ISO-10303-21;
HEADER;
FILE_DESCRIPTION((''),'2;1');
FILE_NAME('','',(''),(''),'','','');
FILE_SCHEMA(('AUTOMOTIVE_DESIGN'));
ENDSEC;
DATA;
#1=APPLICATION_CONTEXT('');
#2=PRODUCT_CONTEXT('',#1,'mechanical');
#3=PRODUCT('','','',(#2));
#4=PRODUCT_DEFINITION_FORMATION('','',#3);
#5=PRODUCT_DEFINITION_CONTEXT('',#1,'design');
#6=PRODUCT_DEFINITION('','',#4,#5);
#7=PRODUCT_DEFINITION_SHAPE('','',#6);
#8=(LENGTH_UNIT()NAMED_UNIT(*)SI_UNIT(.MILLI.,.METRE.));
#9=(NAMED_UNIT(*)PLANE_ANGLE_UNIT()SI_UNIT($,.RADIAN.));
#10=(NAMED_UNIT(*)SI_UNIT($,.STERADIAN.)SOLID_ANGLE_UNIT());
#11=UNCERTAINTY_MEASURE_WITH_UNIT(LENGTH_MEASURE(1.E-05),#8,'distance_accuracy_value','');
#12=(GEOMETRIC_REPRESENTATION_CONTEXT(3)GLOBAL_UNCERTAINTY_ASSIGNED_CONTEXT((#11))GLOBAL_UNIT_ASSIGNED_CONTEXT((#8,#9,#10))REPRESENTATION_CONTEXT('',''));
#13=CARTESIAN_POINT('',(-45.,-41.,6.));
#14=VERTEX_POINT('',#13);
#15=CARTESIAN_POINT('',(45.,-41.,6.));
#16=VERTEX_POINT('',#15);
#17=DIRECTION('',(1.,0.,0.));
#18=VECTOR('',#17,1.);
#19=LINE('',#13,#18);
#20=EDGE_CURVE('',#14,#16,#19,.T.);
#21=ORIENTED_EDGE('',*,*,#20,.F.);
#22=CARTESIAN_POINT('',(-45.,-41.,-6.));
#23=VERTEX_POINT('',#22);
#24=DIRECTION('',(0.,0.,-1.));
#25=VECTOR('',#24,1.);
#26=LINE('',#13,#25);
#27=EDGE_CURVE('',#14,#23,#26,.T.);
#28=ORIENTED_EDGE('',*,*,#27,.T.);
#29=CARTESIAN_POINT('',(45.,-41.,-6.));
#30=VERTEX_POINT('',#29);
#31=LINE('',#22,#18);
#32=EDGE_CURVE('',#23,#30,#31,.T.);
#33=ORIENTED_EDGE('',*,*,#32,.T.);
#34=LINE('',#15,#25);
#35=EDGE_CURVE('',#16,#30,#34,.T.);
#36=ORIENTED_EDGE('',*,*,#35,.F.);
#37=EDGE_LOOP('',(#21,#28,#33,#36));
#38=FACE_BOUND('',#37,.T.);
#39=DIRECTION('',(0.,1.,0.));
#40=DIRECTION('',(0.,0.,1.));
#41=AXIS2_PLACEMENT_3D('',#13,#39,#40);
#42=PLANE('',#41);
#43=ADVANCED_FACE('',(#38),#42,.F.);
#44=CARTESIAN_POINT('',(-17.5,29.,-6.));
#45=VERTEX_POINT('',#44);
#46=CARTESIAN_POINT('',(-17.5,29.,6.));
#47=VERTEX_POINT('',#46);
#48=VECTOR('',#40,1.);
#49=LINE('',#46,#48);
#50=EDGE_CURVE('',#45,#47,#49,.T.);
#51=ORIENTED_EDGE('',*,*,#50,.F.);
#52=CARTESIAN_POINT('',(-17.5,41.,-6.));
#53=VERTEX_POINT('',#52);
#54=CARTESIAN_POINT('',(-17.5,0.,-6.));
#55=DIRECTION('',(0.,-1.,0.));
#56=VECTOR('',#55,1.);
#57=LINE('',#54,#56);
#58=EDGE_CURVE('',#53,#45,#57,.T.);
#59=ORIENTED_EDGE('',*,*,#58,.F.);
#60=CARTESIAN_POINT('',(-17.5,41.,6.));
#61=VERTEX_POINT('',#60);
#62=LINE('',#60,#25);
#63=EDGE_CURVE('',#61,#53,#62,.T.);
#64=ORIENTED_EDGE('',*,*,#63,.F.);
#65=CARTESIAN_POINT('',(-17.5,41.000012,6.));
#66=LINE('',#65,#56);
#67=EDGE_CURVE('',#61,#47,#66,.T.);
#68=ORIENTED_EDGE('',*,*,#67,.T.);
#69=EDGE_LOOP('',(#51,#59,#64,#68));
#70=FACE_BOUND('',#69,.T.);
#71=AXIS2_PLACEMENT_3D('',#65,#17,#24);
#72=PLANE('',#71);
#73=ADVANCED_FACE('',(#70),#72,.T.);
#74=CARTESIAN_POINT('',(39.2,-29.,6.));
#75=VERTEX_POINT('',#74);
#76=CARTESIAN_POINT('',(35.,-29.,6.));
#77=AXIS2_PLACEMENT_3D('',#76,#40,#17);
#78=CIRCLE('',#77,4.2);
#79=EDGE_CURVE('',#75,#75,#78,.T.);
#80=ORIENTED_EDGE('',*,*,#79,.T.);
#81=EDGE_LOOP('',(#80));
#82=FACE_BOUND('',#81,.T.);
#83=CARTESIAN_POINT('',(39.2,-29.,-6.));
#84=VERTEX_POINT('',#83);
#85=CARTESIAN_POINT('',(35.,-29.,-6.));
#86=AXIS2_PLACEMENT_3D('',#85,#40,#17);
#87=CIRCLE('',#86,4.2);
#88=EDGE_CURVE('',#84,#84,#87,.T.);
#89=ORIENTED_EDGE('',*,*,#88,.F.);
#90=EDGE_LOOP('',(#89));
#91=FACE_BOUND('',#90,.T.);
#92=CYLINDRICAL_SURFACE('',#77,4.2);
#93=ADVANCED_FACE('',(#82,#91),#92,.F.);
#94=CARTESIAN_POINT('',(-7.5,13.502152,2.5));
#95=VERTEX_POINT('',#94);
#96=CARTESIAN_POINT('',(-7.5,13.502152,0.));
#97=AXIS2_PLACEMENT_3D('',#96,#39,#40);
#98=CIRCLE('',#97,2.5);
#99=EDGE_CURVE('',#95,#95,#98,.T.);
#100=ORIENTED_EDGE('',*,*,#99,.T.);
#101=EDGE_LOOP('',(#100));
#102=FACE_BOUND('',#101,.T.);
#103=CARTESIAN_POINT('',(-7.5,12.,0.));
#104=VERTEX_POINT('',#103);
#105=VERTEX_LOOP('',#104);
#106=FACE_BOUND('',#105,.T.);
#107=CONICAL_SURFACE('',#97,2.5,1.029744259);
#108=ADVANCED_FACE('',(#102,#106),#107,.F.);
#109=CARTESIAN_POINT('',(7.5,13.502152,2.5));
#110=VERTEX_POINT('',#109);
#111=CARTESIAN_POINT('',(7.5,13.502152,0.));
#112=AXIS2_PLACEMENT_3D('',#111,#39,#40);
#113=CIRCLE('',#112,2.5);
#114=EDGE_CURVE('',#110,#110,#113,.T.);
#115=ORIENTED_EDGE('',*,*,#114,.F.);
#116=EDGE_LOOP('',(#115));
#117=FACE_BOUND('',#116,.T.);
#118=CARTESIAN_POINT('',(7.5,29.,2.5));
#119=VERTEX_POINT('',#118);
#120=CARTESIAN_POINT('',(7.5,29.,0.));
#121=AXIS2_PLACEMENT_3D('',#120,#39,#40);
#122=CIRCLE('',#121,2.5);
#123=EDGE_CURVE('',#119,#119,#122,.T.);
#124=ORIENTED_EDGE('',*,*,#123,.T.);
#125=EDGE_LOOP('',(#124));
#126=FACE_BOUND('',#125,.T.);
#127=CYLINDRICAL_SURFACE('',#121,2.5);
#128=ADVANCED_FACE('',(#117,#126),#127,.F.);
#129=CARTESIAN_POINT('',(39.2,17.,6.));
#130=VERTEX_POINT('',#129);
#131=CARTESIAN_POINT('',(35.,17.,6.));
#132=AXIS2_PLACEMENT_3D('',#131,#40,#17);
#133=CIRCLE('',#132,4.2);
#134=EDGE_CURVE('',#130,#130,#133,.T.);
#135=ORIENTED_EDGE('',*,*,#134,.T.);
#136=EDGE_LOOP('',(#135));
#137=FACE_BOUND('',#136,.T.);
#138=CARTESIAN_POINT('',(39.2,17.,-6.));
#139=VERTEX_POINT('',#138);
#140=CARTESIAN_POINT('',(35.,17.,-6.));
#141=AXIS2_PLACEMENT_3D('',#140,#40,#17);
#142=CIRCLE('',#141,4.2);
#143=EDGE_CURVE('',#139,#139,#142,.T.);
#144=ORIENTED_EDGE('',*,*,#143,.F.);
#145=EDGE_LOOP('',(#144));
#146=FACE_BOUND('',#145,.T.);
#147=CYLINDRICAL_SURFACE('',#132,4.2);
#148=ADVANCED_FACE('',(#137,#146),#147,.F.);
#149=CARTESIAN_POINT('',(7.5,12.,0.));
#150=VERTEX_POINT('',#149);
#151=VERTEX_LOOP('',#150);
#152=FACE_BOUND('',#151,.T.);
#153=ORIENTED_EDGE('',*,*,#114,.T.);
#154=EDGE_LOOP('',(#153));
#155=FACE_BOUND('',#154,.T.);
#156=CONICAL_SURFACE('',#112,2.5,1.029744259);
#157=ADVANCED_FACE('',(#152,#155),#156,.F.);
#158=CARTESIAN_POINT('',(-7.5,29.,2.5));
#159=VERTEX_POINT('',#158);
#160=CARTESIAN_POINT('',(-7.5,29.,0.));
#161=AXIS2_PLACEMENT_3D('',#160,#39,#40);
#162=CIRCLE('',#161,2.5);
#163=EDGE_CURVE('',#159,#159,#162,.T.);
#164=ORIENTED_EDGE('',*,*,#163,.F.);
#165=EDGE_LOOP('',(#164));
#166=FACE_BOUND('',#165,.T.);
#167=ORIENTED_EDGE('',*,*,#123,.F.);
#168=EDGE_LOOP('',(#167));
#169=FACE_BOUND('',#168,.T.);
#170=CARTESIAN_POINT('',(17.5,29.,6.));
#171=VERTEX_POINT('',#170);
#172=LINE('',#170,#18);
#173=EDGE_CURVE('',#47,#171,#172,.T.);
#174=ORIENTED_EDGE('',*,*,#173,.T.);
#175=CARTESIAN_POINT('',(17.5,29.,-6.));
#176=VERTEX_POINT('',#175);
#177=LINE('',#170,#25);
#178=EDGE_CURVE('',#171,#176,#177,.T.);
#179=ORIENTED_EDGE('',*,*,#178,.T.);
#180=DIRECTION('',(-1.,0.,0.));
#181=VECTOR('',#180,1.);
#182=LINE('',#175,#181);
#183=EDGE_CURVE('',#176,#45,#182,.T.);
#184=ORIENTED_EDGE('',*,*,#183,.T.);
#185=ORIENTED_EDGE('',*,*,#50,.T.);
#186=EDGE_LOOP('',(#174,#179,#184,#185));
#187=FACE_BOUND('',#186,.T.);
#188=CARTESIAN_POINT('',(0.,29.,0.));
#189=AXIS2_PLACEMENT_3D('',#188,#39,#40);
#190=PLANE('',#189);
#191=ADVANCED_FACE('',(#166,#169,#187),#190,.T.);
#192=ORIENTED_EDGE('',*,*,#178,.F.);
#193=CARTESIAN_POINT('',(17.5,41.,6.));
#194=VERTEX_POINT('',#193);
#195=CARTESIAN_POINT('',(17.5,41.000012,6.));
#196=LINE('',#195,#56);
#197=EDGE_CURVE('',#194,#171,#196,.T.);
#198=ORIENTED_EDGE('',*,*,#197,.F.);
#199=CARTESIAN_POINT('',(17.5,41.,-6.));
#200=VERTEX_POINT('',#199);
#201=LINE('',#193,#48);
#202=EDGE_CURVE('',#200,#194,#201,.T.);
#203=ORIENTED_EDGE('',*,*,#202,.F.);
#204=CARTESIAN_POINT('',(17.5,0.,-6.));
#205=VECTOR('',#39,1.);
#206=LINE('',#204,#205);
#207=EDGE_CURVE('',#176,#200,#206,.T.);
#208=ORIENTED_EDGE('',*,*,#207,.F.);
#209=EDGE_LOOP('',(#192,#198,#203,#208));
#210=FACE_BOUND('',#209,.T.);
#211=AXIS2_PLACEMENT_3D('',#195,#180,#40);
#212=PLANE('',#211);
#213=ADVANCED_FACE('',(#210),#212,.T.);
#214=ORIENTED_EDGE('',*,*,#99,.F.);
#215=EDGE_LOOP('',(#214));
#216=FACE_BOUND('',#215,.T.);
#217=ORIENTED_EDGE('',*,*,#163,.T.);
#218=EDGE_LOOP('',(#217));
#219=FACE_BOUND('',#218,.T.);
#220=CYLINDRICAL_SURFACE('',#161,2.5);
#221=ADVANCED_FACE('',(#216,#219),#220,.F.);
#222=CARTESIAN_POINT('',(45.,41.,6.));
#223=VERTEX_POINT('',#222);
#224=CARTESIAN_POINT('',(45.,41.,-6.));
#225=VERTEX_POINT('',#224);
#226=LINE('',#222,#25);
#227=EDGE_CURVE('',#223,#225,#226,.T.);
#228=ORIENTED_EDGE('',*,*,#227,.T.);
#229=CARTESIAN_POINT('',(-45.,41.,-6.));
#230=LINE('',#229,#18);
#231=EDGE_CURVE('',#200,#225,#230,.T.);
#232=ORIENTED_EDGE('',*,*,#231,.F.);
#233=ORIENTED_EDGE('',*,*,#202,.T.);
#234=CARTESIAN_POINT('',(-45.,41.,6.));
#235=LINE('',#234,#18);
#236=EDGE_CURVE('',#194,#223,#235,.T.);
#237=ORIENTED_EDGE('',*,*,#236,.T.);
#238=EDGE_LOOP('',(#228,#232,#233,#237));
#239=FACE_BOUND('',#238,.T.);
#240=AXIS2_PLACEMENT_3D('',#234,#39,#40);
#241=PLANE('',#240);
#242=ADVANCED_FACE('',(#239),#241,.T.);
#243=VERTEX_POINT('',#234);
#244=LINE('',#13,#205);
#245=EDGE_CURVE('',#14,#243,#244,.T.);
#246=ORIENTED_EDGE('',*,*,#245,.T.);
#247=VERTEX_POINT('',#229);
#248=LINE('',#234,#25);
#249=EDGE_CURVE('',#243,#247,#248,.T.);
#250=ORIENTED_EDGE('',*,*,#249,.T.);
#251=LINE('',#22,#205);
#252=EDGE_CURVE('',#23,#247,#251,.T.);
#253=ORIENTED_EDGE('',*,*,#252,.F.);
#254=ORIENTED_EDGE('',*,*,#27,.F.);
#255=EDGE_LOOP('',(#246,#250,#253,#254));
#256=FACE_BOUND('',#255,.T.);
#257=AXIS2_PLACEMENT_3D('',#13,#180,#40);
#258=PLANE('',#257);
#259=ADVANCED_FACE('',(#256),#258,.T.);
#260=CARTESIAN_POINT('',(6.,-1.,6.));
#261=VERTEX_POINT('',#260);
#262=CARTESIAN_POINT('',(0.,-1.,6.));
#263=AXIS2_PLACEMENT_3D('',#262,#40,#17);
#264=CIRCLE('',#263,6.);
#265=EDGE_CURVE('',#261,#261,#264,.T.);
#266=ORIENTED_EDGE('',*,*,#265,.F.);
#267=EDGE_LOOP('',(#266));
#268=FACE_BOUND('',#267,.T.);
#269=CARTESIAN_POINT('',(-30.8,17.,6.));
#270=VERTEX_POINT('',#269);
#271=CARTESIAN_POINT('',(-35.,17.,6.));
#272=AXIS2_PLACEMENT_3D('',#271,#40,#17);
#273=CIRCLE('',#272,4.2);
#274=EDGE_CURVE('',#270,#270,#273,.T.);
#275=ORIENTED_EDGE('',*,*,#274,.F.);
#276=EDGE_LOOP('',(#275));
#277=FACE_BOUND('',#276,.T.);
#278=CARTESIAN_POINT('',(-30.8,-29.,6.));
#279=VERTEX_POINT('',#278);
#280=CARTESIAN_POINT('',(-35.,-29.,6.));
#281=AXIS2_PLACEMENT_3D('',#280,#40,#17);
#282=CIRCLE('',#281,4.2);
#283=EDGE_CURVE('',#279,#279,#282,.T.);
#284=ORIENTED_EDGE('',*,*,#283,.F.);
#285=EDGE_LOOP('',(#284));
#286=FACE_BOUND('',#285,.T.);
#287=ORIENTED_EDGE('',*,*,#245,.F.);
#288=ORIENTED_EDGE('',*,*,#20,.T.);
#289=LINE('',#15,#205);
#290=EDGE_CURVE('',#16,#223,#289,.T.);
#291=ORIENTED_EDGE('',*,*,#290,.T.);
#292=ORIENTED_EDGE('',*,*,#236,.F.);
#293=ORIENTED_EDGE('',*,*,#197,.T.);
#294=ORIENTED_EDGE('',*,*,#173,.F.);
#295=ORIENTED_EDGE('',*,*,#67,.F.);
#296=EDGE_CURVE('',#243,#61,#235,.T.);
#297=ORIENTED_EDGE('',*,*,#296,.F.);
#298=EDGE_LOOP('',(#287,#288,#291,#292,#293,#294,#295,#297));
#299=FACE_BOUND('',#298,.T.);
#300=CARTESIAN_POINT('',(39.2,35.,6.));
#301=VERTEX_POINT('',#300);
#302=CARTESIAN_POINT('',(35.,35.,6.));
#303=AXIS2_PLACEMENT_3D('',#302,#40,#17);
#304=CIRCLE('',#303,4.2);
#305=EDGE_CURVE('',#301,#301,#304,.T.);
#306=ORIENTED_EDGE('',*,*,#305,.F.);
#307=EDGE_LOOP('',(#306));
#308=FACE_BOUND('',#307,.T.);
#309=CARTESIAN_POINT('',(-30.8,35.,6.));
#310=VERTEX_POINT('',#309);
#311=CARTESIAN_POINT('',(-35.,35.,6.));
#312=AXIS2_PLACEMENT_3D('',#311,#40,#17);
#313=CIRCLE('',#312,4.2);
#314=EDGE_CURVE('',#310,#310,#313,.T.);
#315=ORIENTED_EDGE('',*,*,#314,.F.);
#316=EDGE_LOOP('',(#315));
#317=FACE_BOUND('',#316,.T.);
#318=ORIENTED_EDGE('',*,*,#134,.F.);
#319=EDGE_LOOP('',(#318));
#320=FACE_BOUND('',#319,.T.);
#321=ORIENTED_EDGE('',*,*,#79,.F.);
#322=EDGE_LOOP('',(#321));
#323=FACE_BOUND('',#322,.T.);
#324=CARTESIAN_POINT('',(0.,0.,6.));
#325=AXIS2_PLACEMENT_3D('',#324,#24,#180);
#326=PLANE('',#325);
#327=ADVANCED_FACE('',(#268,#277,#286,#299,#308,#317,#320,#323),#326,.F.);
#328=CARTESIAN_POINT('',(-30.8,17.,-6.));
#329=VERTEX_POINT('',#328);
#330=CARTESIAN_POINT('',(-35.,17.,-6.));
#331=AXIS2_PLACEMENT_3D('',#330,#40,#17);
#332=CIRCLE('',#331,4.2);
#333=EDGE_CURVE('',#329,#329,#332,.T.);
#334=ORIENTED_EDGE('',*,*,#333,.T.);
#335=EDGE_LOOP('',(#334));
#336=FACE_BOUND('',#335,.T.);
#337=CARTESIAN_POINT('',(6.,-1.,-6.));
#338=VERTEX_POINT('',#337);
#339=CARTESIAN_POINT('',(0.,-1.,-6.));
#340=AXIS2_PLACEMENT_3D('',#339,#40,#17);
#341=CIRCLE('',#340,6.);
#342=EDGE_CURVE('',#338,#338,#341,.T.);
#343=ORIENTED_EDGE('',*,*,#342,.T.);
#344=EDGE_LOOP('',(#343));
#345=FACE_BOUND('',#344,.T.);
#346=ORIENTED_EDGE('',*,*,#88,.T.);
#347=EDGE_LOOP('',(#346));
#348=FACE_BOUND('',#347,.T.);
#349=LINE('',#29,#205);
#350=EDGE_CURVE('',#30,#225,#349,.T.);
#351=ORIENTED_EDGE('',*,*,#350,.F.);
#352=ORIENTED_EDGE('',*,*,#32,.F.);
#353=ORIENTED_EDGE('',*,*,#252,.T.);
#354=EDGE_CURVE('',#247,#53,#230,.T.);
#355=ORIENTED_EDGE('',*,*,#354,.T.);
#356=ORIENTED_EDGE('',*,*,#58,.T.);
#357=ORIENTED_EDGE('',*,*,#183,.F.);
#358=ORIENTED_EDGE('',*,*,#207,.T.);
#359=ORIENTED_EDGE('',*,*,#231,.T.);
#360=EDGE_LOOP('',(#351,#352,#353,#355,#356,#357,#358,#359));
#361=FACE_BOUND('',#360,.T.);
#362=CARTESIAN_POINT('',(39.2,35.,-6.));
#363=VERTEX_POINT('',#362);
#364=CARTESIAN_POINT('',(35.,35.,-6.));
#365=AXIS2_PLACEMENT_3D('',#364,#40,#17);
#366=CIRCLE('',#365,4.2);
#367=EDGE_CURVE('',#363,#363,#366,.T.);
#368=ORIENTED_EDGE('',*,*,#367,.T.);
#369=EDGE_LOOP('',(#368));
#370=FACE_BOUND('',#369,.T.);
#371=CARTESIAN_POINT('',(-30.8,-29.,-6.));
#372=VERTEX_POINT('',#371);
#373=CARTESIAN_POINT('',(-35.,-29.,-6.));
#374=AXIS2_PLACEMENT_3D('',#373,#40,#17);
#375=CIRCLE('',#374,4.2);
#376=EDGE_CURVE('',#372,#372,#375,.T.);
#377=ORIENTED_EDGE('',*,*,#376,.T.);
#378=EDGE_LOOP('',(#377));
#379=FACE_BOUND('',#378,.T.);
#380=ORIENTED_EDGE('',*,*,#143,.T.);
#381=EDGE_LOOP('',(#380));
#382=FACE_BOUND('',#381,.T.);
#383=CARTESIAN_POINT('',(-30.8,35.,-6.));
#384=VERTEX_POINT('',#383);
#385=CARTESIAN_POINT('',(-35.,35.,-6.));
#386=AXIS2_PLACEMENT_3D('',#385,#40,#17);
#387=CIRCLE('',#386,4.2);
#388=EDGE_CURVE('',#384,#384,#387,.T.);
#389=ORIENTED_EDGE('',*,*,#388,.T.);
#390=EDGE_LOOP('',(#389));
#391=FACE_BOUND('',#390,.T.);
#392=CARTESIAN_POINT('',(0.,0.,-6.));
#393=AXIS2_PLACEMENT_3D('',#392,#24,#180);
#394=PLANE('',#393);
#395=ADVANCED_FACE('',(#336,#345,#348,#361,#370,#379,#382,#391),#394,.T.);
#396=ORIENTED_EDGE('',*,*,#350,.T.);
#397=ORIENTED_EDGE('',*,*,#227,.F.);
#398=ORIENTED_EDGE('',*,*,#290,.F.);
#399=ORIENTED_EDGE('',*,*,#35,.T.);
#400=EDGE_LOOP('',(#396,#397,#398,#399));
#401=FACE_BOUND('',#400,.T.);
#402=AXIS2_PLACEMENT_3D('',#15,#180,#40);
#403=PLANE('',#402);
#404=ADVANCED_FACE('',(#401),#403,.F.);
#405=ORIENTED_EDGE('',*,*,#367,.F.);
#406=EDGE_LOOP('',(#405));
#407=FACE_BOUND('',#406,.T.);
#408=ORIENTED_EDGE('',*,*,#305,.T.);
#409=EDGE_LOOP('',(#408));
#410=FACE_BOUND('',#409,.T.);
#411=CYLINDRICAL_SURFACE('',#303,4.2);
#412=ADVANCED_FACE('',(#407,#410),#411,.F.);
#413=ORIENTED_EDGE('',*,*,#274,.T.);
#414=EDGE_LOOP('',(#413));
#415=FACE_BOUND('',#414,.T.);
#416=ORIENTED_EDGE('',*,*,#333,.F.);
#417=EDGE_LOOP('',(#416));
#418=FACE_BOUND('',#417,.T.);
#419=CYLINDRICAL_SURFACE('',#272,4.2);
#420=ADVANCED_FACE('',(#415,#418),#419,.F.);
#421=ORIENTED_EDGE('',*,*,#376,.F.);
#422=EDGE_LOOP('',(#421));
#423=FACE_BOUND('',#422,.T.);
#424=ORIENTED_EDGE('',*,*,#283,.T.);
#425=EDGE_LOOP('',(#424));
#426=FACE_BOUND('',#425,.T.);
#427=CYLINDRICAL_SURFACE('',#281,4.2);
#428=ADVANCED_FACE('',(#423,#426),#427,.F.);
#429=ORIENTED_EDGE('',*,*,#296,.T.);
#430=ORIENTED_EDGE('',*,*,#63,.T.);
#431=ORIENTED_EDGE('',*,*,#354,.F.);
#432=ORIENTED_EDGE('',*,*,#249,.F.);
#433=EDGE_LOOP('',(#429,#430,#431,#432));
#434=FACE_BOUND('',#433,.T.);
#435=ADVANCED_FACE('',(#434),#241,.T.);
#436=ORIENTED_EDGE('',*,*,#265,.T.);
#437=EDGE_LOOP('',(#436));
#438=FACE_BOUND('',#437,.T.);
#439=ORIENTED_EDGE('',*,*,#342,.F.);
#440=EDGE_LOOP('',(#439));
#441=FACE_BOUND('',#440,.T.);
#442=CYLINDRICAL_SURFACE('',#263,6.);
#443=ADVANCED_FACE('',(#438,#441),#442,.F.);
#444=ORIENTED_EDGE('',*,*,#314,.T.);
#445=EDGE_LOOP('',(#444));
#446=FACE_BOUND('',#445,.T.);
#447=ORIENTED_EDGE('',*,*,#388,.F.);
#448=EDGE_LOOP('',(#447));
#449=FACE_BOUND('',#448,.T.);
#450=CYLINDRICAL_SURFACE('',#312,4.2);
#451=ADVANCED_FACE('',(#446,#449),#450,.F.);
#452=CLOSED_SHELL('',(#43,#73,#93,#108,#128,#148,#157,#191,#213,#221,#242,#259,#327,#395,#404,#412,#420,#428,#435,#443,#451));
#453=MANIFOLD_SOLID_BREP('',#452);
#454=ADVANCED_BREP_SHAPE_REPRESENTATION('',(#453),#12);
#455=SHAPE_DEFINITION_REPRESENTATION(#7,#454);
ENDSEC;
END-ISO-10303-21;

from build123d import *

# Parameters (mm, degrees)
SKETCH1_W                  = 90
SKETCH1_H                  = 82
BOSS_EXTRUDE1_DEPTH        = 6
M8_CLEARANCE_HOLE1_D       = 8.4
CUT_EXTRUDE1_DEPTH         = 94.728330829
CUT_EXTRUDE1_DEPTH_BACK    = 12
SKETCH6_W                  = 35
SKETCH6_H                  = 12
F_12_0_12_DIAMETER_HOLE1_D = 12
M6_TAPPED_HOLE1_D          = 5
M6_TAPPED_HOLE1_DEPTH      = 15.497848452
M6_TAPPED_HOLE1_TIP        = 1.502151548


with BuildPart() as part:
    # Sketch1 → Boss-Extrude1 (new, symmetric)
    with BuildSketch(Plane.XY):
        Rectangle(SKETCH1_W, SKETCH1_H)
    extrude(amount=BOSS_EXTRUDE1_DEPTH, both=True)

    # M8 Clearance Hole1 (through all)
    with Locations(Plane.XY.offset(6)):
        with Locations((-35, 17), (35, 17), (35, -29), (-35, -29), (-35, 35), (35, 35)):
            Hole(M8_CLEARANCE_HOLE1_D / 2)

    # Sketch6 → Cut-Extrude1 (cut, two sides: drawn at the far end of the back side and taken through both)
    with BuildSketch(Plane(origin=(0, 41, 0), x_dir=(1, 0, 0), z_dir=(0, 1, 0)).offset(-CUT_EXTRUDE1_DEPTH_BACK)):
        Rectangle(SKETCH6_W, SKETCH6_H)
    extrude(amount=CUT_EXTRUDE1_DEPTH + CUT_EXTRUDE1_DEPTH_BACK, mode=Mode.SUBTRACT)

    # Ø12.0 (12) Diameter Hole1 (through all)
    with Locations(Plane.XY.offset(6)):
        with Locations((0, -1)):
            Hole(F_12_0_12_DIAMETER_HOLE1_D / 2)

    # M6 Tapped Hole1
    with Locations(Plane(origin=(0, 29, 0), x_dir=(1, 0, 0), z_dir=(0, 1, 0))):
        with Locations((-7.5, 0), (7.5, 0)):
            Hole(M6_TAPPED_HOLE1_D / 2, depth=M6_TAPPED_HOLE1_DEPTH)
            with Locations((0, 0, -(M6_TAPPED_HOLE1_DEPTH + M6_TAPPED_HOLE1_TIP / 2))):  # 118° drill point
                Cone(0, M6_TAPPED_HOLE1_D / 2, M6_TAPPED_HOLE1_TIP, mode=Mode.SUBTRACT)


solid = part.part
